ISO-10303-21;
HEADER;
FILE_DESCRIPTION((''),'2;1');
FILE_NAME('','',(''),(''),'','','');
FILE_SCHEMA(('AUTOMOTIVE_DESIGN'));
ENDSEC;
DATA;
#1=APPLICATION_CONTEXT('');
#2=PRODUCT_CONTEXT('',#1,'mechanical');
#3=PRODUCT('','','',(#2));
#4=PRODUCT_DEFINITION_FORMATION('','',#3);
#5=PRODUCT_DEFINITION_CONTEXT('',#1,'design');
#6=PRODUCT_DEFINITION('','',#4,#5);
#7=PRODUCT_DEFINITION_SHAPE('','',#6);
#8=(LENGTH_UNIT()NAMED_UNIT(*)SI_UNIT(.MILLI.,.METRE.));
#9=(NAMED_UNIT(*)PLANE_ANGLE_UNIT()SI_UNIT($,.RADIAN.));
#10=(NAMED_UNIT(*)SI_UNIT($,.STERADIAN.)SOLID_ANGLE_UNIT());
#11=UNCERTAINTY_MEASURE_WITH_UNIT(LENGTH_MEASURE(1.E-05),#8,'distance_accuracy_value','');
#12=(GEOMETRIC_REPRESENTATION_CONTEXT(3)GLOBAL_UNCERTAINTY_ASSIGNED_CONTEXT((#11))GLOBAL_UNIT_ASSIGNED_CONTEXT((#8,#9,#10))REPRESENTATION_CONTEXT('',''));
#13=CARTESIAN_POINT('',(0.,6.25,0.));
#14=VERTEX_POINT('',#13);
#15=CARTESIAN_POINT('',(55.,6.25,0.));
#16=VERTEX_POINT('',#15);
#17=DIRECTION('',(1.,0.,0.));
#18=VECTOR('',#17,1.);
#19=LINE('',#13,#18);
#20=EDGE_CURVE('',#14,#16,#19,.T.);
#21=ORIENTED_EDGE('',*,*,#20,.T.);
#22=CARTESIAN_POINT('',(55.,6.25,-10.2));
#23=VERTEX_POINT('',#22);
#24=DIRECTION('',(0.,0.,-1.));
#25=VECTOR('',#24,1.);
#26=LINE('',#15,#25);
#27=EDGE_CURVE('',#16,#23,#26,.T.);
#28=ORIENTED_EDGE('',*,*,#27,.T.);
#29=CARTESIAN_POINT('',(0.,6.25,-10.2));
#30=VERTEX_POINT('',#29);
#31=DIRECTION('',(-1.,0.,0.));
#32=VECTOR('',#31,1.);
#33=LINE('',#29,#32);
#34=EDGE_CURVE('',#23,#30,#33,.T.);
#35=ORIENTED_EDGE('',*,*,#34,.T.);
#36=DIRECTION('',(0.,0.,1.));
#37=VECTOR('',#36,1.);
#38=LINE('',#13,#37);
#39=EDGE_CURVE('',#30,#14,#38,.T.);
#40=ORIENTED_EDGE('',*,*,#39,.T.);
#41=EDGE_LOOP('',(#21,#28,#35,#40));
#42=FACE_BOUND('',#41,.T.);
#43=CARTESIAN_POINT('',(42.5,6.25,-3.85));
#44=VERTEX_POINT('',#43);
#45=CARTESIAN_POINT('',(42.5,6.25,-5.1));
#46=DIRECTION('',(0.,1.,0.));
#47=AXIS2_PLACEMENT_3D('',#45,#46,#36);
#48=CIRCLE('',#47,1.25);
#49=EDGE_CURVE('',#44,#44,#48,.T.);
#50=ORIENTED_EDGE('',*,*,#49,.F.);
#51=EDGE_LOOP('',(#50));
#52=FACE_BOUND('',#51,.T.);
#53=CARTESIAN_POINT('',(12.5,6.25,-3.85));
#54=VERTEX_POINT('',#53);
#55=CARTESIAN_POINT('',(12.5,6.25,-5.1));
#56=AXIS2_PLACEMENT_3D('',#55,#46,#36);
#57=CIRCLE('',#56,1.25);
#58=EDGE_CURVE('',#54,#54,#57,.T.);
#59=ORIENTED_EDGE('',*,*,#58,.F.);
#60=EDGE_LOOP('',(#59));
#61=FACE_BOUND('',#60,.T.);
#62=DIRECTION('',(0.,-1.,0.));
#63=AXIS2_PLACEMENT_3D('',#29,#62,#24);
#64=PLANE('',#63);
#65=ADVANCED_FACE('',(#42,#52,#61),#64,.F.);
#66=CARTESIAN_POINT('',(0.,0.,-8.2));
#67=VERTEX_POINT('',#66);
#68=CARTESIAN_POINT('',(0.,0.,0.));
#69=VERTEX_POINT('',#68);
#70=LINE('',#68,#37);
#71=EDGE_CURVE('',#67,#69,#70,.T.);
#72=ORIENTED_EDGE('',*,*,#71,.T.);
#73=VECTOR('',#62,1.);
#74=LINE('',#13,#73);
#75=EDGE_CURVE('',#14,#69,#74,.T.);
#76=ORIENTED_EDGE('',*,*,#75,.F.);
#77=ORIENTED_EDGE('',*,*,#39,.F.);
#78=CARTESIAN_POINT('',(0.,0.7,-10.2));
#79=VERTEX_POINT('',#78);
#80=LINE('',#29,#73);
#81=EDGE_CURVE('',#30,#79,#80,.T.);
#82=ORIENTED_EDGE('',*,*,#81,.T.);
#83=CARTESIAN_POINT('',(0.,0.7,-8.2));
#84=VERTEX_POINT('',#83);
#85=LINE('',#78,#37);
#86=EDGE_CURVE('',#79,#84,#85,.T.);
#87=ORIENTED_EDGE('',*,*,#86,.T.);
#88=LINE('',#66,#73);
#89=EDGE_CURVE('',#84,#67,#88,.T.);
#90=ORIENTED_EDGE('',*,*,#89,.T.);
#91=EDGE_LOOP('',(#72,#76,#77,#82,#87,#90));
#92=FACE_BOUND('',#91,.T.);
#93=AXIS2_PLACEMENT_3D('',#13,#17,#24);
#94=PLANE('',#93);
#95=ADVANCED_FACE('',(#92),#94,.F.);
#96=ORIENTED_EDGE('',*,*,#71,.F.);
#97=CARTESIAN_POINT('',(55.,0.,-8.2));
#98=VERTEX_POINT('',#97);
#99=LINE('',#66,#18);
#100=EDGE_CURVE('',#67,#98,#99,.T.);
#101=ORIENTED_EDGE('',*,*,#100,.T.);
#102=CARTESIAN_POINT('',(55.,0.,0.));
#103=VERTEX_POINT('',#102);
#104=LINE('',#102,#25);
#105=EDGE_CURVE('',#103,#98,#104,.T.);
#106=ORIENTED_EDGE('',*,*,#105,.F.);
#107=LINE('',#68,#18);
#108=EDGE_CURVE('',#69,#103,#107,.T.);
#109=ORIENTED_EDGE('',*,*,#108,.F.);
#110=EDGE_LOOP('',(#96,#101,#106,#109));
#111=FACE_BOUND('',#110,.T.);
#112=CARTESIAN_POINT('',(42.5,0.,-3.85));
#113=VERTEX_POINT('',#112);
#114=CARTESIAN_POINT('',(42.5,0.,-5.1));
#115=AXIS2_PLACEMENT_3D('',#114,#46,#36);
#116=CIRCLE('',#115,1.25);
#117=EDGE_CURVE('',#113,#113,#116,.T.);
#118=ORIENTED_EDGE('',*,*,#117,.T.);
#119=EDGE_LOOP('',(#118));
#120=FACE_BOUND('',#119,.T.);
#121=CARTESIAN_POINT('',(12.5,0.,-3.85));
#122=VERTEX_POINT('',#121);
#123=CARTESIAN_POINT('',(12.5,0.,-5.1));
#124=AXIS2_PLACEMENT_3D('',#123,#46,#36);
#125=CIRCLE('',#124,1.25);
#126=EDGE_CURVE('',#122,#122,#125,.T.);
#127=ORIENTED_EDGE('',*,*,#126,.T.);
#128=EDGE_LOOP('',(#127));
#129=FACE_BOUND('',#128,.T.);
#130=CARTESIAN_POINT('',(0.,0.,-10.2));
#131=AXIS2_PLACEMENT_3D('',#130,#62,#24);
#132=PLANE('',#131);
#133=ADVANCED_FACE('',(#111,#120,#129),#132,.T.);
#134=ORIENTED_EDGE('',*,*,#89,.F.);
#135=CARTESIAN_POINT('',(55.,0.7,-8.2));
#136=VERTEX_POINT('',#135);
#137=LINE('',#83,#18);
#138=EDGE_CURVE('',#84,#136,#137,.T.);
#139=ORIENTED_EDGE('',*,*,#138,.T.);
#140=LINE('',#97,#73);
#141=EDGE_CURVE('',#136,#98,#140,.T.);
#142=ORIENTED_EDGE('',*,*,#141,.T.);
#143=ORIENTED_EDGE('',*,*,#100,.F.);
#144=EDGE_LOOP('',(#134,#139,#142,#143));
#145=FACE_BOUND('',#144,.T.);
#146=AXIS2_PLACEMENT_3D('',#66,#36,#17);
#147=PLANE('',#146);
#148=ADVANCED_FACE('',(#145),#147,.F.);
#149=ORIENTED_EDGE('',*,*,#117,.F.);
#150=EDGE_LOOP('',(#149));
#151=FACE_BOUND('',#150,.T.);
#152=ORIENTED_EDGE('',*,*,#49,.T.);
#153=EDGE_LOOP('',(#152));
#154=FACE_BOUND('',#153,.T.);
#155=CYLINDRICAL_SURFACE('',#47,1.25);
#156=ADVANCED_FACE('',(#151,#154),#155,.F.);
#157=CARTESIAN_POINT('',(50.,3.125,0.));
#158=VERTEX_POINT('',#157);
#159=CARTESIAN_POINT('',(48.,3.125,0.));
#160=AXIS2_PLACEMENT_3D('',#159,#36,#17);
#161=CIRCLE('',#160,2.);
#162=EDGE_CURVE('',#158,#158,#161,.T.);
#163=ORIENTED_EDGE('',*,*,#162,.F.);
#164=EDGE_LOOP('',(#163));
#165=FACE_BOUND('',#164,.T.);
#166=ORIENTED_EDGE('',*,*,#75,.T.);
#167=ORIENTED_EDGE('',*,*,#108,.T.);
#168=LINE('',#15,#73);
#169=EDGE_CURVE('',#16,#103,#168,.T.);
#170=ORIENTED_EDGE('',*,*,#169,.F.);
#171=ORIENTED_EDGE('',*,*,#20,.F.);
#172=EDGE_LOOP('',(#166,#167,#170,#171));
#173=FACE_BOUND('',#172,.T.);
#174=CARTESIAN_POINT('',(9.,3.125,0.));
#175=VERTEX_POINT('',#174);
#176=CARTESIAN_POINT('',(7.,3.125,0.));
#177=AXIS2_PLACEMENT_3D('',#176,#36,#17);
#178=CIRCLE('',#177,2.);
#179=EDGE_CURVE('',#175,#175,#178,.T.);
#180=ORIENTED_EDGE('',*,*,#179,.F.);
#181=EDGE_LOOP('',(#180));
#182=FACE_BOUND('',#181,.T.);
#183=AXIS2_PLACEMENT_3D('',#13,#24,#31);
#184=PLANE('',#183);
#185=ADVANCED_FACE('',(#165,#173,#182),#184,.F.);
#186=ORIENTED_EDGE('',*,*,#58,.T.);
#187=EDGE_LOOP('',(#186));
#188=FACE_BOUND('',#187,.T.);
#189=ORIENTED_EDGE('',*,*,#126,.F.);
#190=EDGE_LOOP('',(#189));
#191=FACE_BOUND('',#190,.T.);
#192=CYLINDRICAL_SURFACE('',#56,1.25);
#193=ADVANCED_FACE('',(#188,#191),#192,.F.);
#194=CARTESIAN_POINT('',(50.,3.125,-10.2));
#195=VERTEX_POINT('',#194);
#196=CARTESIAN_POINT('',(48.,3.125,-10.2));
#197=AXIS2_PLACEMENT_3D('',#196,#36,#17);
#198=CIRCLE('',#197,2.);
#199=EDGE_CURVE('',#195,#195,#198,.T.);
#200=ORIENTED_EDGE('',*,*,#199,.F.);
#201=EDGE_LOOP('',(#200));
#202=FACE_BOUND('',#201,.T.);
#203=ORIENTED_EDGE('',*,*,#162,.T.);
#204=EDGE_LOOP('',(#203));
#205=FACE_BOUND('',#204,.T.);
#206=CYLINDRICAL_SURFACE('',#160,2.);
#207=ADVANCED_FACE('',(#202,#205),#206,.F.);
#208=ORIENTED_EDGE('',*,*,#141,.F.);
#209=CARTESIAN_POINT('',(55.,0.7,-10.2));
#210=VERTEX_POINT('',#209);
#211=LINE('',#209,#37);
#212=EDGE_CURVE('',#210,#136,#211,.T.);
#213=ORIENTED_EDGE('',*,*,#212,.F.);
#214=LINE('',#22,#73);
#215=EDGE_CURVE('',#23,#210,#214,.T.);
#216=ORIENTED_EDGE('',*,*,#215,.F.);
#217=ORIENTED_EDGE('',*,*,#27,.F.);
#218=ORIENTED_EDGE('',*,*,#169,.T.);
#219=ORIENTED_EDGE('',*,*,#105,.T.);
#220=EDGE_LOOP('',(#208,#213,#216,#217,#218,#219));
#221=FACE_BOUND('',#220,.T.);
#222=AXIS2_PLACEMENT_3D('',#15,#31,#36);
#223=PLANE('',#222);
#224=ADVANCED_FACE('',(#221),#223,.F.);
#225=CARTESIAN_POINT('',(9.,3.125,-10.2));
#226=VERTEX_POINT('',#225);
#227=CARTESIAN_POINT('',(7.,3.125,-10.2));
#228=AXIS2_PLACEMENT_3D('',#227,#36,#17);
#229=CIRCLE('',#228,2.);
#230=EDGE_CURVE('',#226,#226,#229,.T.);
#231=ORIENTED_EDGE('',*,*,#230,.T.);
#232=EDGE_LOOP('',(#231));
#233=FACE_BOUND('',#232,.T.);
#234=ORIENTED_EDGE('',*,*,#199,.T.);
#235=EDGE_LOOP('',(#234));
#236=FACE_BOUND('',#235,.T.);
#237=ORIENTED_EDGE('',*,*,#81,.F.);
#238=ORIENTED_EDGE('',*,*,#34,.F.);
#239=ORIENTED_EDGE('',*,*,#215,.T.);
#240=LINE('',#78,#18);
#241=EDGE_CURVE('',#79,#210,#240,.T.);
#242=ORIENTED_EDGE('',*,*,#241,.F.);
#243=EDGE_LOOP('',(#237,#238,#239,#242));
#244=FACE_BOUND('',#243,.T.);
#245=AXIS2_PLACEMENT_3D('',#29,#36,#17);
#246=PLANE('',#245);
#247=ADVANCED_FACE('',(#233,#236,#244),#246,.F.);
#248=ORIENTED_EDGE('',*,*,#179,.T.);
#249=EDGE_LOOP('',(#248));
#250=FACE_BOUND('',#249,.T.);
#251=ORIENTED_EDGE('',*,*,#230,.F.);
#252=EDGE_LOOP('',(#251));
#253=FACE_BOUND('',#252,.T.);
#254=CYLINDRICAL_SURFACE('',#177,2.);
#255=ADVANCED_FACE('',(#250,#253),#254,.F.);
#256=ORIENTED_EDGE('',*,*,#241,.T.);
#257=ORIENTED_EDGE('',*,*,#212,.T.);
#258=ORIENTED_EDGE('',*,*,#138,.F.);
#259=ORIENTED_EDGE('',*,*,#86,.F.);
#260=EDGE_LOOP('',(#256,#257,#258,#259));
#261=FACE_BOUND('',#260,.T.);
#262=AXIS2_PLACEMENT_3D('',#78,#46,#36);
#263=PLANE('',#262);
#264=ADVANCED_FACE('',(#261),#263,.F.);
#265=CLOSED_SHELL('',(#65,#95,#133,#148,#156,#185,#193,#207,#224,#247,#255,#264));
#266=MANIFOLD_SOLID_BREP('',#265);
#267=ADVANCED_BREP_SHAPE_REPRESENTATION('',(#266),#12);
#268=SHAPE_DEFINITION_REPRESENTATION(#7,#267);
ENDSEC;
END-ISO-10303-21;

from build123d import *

# Parameters (mm, degrees)
SKETCH1_W                  = 55
SKETCH1_H                  = 10.2
BOSS_EXTRUDE1_DEPTH        = 6.25
F_4_0_4_DIAMETER_HOLE1_D   = 4
F_2_5_2_5_DIAMETER_HOLE1_D = 2.5
SKETCH6_W                  = 2
SKETCH6_H                  = 0.7
CUT_EXTRUDE1_DEPTH         = 56


with BuildPart() as part:
    # Sketch1 → Boss-Extrude1 (new body)
    with BuildSketch(Plane(origin=(0, 0, 0), x_dir=(1, 0, 0), z_dir=(0, 1, 0))):
        with Locations((27.5, 5.1)):
            Rectangle(SKETCH1_W, SKETCH1_H)
    extrude(amount=BOSS_EXTRUDE1_DEPTH)

    # Ø4.0 (4) Diameter Hole1 (through all)
    with Locations(Plane.XY):
        with Locations((7, 3.125), (48, 3.125)):
            Hole(F_4_0_4_DIAMETER_HOLE1_D / 2)

    # Ø2.5 (2.5) Diameter Hole1 (through all)
    with Locations(Plane(origin=(0, 6.25, 0), x_dir=(-1, 0, 0), z_dir=(0, 1, 0))):
        with Locations((-12.5, -5.1), (-42.5, -5.1)):
            Hole(F_2_5_2_5_DIAMETER_HOLE1_D / 2)

    # Sketch6 → Cut-Extrude1 (cut, through all)
    with BuildSketch(Plane(origin=(55, 0, 0), x_dir=(0, 0, -1), z_dir=(1, 0, 0))):
        with Locations((9.2, 0.35)):
            Rectangle(SKETCH6_W, SKETCH6_H)
    extrude(amount=-CUT_EXTRUDE1_DEPTH, mode=Mode.SUBTRACT)


solid = part.part
